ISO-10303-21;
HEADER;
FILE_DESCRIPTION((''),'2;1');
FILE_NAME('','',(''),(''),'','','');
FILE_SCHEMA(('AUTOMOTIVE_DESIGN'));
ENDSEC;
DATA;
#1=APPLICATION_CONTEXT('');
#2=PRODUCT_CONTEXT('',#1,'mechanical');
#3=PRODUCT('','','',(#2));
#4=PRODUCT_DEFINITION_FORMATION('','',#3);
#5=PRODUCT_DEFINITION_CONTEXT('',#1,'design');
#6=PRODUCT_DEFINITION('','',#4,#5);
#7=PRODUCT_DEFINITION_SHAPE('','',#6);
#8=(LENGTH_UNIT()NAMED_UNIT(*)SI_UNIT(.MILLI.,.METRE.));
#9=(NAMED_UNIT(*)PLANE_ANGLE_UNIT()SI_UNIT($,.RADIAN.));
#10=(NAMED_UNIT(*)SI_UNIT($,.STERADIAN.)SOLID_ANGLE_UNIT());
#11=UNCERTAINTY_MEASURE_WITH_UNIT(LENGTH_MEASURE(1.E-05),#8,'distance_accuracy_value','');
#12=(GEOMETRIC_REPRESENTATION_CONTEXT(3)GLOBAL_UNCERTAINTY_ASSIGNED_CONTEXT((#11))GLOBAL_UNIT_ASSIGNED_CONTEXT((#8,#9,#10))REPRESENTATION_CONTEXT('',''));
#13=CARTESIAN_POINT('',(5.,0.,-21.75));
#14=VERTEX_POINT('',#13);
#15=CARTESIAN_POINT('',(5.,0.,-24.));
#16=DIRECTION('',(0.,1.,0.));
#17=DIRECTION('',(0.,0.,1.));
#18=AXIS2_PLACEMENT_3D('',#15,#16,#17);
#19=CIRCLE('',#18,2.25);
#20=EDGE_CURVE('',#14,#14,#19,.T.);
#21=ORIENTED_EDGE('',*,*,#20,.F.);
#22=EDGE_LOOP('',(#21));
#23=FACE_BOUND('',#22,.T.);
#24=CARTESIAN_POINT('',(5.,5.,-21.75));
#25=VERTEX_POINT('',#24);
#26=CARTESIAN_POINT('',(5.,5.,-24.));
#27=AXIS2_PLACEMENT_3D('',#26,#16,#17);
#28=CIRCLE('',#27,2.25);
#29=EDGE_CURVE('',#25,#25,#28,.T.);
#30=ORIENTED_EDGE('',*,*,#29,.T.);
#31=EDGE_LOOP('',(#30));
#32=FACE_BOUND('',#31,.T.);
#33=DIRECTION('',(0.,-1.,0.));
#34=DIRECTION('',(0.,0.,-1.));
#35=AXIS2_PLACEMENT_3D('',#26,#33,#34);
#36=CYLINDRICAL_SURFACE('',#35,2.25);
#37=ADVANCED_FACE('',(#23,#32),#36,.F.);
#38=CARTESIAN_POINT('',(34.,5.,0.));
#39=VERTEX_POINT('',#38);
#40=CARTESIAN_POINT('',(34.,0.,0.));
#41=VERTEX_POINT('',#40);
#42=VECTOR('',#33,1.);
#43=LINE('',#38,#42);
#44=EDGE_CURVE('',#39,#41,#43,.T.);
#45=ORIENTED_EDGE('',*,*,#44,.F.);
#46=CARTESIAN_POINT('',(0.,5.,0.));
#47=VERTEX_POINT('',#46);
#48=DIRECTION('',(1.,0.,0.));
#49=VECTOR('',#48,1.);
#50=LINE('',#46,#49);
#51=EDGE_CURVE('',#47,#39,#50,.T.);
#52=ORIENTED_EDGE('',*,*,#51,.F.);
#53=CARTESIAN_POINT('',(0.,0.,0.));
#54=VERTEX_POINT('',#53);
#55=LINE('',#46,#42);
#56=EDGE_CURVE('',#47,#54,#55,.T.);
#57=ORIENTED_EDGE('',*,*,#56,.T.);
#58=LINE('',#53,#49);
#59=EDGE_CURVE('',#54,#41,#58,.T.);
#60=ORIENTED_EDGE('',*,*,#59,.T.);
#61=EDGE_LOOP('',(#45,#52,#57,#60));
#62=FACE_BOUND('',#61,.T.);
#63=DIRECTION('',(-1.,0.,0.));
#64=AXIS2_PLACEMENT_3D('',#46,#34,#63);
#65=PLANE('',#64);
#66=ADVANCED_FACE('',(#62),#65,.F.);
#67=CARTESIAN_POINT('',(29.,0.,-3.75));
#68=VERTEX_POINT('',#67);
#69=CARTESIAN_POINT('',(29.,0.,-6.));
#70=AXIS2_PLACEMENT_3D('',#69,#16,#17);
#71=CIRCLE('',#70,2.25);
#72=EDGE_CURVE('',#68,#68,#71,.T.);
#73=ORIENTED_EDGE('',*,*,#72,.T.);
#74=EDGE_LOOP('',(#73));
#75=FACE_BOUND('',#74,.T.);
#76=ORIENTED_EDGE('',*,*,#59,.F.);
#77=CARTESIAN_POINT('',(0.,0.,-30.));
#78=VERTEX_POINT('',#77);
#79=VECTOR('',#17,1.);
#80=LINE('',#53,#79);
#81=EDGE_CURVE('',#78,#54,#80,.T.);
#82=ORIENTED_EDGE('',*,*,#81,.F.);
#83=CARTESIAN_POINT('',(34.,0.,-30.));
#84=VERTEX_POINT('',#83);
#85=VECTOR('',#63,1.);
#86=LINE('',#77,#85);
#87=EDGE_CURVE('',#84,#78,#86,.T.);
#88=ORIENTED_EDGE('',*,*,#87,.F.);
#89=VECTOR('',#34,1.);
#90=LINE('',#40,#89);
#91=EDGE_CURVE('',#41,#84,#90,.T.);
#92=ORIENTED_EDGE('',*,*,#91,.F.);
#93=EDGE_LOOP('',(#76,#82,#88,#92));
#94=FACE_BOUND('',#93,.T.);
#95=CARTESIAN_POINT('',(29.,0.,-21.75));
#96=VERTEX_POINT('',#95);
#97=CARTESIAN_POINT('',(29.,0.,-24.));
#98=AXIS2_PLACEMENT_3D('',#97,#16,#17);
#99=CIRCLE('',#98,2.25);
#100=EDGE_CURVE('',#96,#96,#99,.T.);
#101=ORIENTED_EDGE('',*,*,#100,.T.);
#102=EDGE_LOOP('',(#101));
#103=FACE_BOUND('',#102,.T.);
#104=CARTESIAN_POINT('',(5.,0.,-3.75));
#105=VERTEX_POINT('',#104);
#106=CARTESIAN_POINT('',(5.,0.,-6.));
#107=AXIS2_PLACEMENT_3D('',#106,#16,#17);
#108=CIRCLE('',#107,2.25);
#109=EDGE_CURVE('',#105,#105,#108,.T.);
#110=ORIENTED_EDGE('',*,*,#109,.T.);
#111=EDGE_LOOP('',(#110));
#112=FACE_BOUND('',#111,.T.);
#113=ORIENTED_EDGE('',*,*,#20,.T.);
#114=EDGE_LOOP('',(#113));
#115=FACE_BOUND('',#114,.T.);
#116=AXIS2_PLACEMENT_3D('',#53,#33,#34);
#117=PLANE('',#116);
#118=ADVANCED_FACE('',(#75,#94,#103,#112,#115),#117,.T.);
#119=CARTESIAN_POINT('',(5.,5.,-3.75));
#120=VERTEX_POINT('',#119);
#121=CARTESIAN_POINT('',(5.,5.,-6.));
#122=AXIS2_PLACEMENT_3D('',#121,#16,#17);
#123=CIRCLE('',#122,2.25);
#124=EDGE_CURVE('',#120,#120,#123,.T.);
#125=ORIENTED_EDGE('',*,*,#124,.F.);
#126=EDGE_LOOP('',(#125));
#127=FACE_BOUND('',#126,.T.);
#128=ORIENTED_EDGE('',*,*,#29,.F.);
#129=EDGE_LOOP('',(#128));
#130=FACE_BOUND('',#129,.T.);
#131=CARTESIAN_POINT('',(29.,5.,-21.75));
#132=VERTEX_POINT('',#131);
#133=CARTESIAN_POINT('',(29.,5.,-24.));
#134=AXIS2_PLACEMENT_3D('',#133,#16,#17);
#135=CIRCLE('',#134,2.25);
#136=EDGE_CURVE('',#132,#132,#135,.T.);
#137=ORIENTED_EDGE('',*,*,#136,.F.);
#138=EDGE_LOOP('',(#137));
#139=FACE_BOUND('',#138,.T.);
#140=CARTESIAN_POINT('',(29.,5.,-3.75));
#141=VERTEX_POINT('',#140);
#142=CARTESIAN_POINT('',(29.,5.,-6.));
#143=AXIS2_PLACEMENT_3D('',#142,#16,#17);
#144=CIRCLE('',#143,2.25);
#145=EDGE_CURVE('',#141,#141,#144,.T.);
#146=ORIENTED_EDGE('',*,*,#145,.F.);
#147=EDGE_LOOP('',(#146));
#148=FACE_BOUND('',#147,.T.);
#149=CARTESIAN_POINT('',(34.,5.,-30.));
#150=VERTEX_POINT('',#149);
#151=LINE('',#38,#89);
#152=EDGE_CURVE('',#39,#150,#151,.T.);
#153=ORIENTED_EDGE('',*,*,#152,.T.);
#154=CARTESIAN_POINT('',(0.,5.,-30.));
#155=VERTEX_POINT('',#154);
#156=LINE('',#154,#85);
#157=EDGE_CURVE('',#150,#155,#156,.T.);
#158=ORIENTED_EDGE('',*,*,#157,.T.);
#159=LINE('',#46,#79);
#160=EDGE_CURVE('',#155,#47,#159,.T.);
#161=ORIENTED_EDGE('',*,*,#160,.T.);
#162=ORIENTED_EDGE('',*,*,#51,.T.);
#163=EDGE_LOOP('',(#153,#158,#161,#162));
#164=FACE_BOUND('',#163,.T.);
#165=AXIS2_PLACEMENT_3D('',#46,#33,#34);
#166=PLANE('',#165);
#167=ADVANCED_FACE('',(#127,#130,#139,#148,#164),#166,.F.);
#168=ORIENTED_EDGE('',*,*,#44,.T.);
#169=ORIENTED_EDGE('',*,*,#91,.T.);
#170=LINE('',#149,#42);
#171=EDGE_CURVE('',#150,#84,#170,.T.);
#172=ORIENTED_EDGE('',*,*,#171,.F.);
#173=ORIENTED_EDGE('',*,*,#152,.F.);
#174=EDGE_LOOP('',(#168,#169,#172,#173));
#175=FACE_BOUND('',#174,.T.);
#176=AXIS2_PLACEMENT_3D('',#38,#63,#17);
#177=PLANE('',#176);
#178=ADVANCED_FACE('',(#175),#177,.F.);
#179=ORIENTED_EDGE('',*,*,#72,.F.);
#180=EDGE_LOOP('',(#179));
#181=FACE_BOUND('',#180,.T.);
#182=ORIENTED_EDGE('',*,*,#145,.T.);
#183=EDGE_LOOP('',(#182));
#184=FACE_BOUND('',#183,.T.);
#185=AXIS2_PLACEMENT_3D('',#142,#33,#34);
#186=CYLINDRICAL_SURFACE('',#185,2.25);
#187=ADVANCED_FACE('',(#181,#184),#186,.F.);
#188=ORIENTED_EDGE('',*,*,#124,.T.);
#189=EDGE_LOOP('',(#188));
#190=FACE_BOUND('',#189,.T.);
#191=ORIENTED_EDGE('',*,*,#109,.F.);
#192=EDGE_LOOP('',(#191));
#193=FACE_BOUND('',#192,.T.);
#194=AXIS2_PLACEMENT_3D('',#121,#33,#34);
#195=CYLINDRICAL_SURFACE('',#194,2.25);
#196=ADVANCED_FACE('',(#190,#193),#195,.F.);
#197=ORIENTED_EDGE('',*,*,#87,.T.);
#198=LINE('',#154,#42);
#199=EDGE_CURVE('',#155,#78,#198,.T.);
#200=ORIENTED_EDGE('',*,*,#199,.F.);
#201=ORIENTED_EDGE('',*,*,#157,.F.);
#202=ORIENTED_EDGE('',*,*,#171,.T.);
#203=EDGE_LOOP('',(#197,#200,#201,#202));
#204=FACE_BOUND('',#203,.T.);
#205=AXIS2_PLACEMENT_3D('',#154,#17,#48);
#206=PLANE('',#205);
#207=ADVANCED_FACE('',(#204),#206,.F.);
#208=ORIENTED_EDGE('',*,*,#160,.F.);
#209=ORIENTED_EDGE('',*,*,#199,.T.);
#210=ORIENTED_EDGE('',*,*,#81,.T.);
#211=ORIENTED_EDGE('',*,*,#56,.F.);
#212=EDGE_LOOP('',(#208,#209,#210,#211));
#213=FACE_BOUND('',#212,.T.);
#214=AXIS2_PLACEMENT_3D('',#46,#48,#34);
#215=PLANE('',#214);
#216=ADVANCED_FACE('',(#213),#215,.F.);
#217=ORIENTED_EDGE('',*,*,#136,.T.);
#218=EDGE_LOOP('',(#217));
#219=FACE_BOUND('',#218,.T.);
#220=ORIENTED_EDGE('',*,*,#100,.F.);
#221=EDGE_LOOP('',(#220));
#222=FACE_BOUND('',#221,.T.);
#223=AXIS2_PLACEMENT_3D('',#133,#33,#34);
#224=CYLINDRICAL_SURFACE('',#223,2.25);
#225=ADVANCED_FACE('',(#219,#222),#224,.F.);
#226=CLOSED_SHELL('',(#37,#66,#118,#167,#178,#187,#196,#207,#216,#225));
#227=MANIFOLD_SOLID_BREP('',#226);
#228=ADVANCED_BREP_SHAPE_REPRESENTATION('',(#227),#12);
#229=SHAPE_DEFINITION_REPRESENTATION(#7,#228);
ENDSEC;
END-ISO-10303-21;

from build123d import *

# Parameters (mm, degrees)
SKETCH1_W           = 34
SKETCH1_H           = 30
SKETCH1_R           = 2.25
BOSS_EXTRUDE1_DEPTH = 5


with BuildPart() as part:
    # Sketch1 → Boss-Extrude1 (new body)
    with BuildSketch(Plane(origin=(0, 0, 0), x_dir=(1, 0, 0), z_dir=(0, 1, 0))):
        with Locations((17, 15)):
            Rectangle(SKETCH1_W, SKETCH1_H)
        with Locations((5, 6)):
            Circle(SKETCH1_R, mode=Mode.SUBTRACT)
        with Locations((29, 6)):
            Circle(SKETCH1_R, mode=Mode.SUBTRACT)
        with Locations((29, 24)):
            Circle(SKETCH1_R, mode=Mode.SUBTRACT)
        with Locations((5, 24)):
            Circle(SKETCH1_R, mode=Mode.SUBTRACT)
    extrude(amount=BOSS_EXTRUDE1_DEPTH)


solid = part.part
